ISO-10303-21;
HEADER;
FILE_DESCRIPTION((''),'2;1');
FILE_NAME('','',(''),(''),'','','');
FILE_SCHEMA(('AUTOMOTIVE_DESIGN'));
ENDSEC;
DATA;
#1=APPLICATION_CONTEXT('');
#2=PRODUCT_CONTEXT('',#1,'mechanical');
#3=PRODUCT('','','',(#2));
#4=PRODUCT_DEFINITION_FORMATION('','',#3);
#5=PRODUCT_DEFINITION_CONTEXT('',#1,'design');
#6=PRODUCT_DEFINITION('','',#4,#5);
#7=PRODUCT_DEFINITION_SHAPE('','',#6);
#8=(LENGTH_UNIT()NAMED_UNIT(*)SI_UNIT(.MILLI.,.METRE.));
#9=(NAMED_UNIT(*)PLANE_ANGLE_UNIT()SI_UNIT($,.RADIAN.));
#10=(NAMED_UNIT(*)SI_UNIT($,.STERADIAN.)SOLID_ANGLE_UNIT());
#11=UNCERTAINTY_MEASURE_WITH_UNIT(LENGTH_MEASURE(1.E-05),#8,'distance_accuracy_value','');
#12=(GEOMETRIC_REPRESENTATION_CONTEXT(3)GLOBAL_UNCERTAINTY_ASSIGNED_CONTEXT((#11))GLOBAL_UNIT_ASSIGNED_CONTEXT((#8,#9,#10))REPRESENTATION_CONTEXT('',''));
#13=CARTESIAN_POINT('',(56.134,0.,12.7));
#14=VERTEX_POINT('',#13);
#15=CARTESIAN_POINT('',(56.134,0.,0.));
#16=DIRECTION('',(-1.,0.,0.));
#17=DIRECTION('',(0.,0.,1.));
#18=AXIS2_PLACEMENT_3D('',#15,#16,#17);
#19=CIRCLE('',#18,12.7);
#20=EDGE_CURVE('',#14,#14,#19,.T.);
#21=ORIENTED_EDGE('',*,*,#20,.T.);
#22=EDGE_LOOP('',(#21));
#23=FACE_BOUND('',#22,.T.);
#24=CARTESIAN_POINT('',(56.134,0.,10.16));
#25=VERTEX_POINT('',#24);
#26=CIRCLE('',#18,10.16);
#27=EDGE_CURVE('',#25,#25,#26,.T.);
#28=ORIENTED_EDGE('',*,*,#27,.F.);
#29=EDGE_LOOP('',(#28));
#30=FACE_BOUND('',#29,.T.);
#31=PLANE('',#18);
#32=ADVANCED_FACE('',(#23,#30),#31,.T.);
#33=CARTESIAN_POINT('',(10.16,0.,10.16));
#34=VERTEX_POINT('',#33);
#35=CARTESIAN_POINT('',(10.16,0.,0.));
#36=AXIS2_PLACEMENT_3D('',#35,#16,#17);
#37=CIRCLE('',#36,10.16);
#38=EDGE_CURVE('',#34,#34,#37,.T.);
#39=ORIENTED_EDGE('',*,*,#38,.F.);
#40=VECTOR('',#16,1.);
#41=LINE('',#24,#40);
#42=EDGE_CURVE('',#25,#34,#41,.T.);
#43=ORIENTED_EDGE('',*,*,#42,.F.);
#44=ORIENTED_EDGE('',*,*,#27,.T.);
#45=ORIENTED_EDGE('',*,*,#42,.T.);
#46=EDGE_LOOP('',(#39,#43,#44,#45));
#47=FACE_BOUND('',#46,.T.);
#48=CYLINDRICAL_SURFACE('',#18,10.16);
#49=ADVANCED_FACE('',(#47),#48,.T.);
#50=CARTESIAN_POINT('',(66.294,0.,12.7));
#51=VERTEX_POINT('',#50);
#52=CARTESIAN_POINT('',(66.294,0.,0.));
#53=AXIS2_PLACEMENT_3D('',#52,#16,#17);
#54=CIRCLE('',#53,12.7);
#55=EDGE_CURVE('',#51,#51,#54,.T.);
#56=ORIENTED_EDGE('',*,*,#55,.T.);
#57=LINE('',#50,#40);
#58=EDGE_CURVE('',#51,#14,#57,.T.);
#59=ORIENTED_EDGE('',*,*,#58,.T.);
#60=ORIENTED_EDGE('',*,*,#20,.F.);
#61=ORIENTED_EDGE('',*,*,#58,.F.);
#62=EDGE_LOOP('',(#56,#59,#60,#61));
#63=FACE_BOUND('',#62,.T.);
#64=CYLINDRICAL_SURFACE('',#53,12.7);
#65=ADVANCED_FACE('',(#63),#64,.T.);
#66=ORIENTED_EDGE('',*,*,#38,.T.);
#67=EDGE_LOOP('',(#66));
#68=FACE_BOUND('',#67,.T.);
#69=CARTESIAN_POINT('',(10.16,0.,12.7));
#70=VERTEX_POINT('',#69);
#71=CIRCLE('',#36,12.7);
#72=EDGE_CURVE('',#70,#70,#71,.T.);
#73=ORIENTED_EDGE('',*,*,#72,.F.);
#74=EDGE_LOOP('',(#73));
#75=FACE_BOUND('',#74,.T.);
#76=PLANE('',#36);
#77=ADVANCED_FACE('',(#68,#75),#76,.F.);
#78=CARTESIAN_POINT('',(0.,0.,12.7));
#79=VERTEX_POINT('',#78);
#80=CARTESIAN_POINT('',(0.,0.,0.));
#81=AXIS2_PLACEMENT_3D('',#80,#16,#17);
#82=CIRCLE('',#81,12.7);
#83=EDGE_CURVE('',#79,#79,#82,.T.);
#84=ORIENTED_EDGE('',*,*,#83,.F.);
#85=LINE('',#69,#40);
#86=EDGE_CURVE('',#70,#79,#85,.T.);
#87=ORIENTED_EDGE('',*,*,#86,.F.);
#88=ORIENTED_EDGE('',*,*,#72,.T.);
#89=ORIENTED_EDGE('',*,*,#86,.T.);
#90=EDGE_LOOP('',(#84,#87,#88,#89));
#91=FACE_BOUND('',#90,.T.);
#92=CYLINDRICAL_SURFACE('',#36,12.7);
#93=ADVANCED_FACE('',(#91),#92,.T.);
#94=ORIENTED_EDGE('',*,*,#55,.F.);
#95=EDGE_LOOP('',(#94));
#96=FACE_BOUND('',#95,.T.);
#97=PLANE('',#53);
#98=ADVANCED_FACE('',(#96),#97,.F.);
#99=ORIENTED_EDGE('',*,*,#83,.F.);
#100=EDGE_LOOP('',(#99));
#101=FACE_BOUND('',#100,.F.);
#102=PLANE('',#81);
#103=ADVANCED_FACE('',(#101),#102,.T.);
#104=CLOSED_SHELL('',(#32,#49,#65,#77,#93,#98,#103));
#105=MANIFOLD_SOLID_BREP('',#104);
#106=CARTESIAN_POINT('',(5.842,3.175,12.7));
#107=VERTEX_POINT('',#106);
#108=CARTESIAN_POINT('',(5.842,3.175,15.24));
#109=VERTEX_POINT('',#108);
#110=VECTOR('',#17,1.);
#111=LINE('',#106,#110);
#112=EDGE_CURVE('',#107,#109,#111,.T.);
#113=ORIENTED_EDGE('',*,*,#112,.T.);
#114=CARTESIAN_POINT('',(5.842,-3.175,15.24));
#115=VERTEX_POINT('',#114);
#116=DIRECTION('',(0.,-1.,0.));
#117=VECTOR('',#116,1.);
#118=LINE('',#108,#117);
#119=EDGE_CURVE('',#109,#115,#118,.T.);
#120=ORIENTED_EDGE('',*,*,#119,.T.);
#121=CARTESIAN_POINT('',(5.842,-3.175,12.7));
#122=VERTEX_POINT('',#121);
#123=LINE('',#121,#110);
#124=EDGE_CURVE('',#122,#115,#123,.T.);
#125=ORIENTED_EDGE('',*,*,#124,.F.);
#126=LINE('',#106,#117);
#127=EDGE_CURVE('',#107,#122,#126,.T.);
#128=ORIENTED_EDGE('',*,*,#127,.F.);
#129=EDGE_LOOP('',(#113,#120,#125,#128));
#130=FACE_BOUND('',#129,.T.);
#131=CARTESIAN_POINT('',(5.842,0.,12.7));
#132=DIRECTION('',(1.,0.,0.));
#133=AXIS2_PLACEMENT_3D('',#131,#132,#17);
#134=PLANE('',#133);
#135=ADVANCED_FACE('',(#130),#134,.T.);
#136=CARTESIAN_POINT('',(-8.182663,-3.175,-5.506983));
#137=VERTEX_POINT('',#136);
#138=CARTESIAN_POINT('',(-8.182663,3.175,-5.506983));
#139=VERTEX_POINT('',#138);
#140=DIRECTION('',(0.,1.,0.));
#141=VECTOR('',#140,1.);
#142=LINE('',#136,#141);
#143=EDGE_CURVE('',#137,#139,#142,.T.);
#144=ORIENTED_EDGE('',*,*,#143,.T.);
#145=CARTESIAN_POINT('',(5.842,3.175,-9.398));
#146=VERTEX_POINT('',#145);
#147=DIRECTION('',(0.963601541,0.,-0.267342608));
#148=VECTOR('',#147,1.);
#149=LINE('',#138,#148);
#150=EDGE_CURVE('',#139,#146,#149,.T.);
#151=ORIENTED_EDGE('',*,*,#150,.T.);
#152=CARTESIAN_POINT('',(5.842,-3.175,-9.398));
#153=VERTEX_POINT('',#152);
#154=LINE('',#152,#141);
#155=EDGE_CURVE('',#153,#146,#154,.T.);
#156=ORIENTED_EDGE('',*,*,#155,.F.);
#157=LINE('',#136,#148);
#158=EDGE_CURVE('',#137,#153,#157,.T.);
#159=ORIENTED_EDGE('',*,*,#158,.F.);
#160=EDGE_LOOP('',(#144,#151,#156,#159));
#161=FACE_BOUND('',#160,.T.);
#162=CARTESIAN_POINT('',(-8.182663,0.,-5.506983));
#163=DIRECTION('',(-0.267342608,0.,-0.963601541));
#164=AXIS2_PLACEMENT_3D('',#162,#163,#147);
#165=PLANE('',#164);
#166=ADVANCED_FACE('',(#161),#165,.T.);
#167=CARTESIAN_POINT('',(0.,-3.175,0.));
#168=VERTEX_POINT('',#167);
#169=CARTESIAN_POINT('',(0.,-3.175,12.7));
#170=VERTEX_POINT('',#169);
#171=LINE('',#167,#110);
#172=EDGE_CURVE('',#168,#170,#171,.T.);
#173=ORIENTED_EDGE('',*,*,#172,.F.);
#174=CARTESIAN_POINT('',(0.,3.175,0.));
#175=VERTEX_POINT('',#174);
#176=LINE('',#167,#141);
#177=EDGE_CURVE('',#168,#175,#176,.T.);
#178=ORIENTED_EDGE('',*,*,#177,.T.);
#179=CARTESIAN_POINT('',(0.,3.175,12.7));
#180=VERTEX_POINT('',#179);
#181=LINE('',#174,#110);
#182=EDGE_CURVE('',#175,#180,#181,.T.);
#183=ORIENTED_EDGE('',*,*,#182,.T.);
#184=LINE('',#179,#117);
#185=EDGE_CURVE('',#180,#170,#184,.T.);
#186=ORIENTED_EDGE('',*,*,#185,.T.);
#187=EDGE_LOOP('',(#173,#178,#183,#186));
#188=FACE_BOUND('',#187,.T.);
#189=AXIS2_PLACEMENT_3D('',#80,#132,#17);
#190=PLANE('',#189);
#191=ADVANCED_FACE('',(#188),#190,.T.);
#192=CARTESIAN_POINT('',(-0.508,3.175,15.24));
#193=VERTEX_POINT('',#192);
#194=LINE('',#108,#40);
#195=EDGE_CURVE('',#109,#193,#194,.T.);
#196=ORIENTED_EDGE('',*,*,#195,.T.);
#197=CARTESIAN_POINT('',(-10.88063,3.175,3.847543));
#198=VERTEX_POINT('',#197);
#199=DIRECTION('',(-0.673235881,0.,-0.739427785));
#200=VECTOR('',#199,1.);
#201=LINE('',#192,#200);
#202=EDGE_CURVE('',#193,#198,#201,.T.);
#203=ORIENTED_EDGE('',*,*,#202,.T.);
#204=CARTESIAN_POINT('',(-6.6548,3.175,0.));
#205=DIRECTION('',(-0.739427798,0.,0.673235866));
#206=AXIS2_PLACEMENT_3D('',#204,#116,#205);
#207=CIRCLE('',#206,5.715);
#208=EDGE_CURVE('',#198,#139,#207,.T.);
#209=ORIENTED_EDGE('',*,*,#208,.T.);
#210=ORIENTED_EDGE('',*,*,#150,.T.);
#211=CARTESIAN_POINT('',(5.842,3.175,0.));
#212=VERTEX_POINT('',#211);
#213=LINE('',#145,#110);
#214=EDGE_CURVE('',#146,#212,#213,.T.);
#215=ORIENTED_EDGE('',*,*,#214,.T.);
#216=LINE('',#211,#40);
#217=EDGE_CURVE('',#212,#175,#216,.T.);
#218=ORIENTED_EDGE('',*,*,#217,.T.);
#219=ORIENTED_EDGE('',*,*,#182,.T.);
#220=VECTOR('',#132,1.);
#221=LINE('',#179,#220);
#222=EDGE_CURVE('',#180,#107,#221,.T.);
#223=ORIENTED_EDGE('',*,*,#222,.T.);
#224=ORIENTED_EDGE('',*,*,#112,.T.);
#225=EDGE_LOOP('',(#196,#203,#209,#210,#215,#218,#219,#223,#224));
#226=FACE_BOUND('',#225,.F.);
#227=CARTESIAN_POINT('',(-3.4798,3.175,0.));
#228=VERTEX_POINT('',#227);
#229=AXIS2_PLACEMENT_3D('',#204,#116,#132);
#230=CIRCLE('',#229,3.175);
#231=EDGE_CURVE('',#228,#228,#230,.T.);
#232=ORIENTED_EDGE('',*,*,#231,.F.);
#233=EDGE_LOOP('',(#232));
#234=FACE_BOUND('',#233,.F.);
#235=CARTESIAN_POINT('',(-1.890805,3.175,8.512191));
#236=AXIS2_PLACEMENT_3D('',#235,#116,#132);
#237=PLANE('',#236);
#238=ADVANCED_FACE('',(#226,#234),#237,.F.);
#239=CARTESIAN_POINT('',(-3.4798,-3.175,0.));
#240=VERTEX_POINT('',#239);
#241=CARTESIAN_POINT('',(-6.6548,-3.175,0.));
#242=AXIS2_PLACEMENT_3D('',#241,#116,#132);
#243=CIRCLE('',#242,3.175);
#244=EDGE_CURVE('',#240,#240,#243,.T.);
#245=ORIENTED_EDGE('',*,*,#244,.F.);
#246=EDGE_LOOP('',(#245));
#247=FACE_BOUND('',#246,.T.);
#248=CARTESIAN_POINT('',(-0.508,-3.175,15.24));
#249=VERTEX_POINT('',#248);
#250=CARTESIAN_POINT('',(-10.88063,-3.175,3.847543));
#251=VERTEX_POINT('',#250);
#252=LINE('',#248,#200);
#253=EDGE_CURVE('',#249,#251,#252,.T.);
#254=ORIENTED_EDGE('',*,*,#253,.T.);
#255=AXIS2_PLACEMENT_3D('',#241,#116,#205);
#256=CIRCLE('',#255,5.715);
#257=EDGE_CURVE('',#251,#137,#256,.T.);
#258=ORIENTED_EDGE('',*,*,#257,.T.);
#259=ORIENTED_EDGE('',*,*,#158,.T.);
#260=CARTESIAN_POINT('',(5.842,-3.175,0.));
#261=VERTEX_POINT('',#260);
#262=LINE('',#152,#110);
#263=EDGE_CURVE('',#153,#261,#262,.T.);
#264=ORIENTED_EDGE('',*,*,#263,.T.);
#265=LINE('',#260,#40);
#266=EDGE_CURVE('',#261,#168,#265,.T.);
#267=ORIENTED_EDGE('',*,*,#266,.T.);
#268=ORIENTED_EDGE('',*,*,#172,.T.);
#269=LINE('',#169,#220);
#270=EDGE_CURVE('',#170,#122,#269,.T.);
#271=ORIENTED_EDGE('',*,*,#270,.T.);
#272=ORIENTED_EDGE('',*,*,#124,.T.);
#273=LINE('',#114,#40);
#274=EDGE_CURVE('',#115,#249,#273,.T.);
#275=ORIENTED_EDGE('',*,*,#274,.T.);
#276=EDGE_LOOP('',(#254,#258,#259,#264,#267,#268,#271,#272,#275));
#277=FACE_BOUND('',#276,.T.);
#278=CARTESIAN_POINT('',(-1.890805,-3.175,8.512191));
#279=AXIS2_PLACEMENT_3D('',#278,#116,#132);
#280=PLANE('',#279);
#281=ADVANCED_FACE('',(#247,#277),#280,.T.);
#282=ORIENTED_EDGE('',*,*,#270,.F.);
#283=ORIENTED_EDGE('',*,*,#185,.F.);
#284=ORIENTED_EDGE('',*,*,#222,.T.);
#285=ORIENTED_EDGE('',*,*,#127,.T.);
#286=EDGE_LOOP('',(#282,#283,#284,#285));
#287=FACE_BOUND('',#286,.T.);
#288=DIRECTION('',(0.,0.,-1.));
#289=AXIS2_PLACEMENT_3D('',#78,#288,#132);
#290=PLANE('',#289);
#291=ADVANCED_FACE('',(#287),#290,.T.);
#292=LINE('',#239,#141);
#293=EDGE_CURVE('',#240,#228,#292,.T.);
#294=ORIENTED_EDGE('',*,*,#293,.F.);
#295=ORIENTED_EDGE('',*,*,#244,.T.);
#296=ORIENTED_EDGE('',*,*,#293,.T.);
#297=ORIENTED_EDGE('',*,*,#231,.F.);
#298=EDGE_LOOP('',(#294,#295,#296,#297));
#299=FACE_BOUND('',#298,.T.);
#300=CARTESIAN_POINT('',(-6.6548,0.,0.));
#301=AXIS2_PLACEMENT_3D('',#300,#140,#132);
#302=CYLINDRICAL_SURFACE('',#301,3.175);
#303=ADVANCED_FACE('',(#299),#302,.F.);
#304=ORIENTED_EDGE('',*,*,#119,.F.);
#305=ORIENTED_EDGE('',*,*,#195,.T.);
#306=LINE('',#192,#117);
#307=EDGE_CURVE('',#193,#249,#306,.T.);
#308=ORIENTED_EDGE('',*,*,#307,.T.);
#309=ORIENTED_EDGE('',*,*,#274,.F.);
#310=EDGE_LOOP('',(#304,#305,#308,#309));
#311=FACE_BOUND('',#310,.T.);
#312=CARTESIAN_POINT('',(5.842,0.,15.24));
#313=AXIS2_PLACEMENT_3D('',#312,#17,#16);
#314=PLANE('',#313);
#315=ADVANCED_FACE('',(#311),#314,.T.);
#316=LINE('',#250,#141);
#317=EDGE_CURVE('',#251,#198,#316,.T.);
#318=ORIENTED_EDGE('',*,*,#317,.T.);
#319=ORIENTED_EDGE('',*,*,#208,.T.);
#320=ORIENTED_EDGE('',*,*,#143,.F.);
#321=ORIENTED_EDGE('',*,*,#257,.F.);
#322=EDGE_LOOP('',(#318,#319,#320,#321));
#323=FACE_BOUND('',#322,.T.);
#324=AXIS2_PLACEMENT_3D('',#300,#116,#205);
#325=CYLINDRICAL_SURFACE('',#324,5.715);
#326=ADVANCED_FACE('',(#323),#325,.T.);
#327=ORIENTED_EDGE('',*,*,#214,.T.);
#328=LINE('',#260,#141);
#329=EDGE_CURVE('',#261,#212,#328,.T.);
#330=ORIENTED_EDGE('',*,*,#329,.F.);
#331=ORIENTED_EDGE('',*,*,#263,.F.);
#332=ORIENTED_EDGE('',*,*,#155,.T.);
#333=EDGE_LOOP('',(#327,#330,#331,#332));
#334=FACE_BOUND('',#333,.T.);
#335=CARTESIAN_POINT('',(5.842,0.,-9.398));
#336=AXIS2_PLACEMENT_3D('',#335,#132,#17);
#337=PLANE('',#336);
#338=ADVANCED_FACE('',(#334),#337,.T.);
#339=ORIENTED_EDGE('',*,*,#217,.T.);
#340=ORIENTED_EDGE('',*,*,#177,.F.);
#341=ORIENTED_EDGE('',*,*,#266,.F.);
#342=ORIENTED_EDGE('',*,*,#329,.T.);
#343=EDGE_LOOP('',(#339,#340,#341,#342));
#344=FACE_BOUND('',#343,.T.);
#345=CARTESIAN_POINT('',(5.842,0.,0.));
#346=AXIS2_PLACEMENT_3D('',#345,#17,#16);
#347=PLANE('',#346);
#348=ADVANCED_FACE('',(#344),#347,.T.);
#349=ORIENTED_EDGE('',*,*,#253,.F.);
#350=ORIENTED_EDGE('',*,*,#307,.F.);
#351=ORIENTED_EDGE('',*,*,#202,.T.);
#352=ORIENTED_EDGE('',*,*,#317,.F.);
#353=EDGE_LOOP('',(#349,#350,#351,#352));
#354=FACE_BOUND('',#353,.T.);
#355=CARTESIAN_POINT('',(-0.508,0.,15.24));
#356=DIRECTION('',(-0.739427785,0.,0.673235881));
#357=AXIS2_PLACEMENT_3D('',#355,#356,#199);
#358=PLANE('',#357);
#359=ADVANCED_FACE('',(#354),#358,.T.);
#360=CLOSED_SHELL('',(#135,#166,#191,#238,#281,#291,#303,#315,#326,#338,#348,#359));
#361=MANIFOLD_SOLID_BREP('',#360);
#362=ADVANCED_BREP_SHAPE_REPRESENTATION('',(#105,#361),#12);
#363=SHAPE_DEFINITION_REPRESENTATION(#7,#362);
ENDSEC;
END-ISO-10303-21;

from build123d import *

# Parameters (mm, degrees)
F0_W     = 5.842
F0_H     = 12.7
F0_R     = 3.175
F2_DEPTH = 3.175


with BuildPart() as f1:
    # F0 (on Front) → F1 (revolve)
    with BuildSketch(Plane.XZ):
        Polygon((5.842, 12.7), (5.842, 0), (66.294, 0), (66.294, 12.7), (56.134, 12.7), (56.134, 10.16), (10.16, 10.16), (10.16, 12.7), align=None)
        with Locations((2.921, 6.35)):
            Rectangle(F0_W, F0_H)
    revolve(axis=Axis((33.147, 0, 0), (-1, 0, 0)))


with BuildPart() as f2:
    # F0 (on Front) → F2 (new body, symmetric)
    with BuildSketch(Plane.XZ):
        with BuildLine():
            Line((-0.9398, 0), (0, 0))
            Line((0, 0), (0, 12.7))
            Line((0, 12.7), (5.842, 12.7))
            Line((5.842, 12.7), (5.842, 15.24))
            Line((5.842, 15.24), (-0.508, 15.24))
            Line((-0.508, 15.24), (-10.88063, 3.847543))
            ThreePointArc((-10.88063, 3.847543), (-4.591961, 5.329721), (-0.9398, 0))
        make_face()
        with BuildLine():
            Line((5.842, 0), (0, 0))
            Line((0, 0), (-0.9398, 0))
            ThreePointArc((-0.9398, 0), (-3.195791, -4.549339), (-8.182663, -5.506983))
            Line((-8.182663, -5.506983), (5.842, -9.398))
            Line((5.842, -9.398), (5.842, 0))
        make_face()
        with BuildLine():
            ThreePointArc((-8.182663, -5.506983), (-3.195791, -4.549339), (-0.9398, 0))
            ThreePointArc((-0.9398, 0), (-4.591961, 5.329721), (-10.88063, 3.847543))
            ThreePointArc((-10.88063, 3.847543), (-12.145978, -1.583727), (-8.182663, -5.506983))
        make_face()
        with Locations((-6.6548, 0)):
            Circle(F0_R, mode=Mode.SUBTRACT)
    extrude(amount=F2_DEPTH, both=True)


solid = Compound([f1.part, f2.part])
